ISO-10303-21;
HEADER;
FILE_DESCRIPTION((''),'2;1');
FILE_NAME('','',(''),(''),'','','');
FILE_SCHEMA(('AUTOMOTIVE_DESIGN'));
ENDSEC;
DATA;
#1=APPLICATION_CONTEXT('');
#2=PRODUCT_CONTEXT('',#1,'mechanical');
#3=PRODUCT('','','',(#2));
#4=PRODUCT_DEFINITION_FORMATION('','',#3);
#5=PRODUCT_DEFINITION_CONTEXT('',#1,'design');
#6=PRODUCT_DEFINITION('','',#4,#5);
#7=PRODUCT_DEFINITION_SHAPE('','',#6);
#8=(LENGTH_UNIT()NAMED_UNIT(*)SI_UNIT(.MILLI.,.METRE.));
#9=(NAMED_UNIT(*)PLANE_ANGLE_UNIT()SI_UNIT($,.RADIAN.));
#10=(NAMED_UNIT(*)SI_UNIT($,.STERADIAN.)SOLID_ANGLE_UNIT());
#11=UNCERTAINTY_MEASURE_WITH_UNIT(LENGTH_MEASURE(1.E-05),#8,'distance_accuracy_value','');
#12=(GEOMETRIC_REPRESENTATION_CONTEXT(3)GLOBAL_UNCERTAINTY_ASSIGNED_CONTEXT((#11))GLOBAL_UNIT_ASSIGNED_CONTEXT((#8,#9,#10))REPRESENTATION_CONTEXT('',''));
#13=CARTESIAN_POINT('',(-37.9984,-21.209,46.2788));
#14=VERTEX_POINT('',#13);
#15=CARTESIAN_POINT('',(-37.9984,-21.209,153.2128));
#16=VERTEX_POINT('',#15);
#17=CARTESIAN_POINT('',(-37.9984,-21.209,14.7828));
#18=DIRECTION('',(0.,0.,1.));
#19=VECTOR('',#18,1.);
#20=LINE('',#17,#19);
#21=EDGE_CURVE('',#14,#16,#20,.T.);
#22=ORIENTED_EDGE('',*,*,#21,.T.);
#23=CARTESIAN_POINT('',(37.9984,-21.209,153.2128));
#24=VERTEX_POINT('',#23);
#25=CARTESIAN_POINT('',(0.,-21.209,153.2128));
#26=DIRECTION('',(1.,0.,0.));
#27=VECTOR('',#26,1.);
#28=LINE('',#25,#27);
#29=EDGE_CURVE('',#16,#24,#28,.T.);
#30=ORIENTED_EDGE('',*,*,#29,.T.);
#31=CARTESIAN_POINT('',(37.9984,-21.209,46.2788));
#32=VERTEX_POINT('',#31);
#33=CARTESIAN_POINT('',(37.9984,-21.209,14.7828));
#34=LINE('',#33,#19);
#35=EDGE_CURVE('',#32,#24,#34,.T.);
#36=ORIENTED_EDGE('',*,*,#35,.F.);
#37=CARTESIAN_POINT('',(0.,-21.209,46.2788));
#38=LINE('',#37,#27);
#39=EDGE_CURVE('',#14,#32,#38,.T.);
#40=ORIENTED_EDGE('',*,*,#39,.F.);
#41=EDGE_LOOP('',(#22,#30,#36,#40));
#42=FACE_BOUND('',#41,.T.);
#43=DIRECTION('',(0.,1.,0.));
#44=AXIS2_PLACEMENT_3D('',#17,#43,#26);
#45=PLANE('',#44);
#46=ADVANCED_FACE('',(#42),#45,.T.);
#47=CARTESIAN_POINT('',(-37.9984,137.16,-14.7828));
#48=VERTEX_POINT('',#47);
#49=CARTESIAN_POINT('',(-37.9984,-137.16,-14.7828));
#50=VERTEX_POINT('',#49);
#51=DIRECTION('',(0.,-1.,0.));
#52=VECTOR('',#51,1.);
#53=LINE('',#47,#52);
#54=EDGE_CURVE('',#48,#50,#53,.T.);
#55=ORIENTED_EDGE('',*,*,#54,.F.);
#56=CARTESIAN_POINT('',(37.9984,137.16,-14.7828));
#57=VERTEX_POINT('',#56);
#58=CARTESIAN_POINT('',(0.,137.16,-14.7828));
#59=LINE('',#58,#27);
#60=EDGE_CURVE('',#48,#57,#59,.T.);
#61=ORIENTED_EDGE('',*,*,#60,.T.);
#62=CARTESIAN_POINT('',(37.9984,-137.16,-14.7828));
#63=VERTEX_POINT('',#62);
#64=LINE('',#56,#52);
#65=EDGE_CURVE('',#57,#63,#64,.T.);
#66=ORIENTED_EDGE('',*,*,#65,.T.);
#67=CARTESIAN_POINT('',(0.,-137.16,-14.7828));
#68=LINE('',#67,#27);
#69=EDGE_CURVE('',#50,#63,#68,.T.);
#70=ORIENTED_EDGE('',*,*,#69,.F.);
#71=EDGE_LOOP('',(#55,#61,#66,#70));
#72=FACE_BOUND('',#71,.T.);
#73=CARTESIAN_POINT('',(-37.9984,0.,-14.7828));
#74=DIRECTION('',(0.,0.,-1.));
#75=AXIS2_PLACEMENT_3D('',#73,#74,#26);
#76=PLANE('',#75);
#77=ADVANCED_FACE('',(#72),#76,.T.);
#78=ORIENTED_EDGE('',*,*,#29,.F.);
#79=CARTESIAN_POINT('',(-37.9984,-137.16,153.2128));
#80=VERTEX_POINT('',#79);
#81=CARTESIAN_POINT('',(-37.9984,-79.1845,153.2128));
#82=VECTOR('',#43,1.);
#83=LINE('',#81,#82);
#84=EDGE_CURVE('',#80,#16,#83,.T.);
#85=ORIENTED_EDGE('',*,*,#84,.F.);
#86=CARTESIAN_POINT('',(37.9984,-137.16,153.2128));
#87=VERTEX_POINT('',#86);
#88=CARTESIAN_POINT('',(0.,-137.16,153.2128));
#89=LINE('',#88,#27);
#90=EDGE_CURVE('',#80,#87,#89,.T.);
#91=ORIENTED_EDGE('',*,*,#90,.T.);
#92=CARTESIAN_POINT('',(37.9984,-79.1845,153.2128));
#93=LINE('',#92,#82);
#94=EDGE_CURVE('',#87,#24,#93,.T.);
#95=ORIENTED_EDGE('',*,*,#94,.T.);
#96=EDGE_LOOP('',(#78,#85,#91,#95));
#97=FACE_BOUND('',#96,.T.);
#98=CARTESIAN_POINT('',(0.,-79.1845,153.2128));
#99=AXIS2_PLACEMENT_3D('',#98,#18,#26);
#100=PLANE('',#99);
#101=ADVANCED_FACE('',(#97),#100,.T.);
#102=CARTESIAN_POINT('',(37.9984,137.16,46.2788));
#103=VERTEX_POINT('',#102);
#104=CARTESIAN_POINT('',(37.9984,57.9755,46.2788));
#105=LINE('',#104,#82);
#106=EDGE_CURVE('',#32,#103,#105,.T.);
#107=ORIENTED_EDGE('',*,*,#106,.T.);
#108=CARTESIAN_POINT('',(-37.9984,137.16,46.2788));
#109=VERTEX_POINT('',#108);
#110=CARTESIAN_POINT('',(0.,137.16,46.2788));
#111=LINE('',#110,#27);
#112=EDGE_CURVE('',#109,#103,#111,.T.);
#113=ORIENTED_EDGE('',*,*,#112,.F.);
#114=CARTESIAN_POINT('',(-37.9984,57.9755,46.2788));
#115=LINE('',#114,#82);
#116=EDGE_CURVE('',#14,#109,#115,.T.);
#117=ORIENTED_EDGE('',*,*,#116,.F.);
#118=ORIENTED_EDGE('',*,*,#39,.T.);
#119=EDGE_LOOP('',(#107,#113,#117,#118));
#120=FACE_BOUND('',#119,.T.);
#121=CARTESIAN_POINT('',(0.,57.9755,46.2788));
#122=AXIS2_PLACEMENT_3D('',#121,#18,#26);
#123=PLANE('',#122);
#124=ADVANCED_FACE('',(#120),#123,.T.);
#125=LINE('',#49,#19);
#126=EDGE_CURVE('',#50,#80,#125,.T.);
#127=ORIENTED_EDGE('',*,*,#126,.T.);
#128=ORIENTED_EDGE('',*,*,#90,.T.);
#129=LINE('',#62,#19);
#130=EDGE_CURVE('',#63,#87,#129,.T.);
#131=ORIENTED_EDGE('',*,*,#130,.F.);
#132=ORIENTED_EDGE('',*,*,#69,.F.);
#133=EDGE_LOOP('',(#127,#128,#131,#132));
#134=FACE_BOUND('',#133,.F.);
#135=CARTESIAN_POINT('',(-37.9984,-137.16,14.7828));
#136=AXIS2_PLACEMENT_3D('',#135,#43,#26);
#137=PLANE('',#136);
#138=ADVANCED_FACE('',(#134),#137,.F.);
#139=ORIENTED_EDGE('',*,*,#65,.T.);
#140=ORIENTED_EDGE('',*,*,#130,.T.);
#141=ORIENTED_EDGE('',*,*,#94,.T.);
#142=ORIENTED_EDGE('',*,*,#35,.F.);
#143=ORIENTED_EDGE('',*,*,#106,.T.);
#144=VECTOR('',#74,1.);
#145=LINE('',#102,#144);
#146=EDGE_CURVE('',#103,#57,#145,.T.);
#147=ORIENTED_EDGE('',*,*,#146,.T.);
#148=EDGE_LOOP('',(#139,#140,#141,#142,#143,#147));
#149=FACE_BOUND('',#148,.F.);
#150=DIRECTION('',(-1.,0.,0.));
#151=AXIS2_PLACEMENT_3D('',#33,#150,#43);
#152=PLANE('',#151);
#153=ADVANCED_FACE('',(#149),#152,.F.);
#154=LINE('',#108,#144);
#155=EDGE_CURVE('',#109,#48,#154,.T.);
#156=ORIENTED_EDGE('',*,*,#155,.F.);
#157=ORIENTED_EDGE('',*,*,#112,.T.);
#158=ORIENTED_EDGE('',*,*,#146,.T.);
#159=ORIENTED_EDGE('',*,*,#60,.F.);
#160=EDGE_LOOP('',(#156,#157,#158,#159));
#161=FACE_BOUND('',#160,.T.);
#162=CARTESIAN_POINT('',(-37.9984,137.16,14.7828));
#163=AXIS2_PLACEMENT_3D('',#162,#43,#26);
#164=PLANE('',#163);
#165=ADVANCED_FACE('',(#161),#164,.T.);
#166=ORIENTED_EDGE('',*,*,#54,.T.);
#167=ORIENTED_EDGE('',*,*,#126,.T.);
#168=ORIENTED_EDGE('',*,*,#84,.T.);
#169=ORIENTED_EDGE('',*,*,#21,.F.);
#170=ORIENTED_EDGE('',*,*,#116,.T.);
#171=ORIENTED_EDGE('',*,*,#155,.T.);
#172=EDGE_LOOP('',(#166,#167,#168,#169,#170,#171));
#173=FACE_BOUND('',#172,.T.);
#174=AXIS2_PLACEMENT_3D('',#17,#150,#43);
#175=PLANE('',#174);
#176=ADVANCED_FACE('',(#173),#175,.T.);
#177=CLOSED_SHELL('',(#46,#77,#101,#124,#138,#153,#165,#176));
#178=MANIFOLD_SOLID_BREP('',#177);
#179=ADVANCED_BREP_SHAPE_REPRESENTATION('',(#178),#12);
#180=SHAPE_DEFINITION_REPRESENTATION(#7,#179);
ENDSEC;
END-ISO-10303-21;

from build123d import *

# Parameters (mm, degrees)
F0_W     = 75.9968
F0_H     = 29.5656
F1_DEPTH = 137.16
F2_W     = 75.9968
F2_H     = 115.951
F3_DEPTH = 138.43
F4_W     = 75.9968
F4_H     = 158.369
F5_DEPTH = 31.496


with BuildPart() as f1:
    # F0 (on Front) → F1 (new body, symmetric)
    with BuildSketch(Plane.XZ):
        Rectangle(F0_W, F0_H)
    extrude(amount=F1_DEPTH, both=True)

    # F2 (on face) → F3 (join)
    with BuildSketch(Plane.XY.offset(14.7828)):
        with Locations((0, -79.1845)):
            Rectangle(F2_W, F2_H)
    extrude(amount=F3_DEPTH)

    # F4 (on face) → F5 (join)
    with BuildSketch(Plane.XY.offset(14.7828)):
        with Locations((0, 57.9755)):
            Rectangle(F4_W, F4_H)
    extrude(amount=F5_DEPTH)


solid = f1.part
